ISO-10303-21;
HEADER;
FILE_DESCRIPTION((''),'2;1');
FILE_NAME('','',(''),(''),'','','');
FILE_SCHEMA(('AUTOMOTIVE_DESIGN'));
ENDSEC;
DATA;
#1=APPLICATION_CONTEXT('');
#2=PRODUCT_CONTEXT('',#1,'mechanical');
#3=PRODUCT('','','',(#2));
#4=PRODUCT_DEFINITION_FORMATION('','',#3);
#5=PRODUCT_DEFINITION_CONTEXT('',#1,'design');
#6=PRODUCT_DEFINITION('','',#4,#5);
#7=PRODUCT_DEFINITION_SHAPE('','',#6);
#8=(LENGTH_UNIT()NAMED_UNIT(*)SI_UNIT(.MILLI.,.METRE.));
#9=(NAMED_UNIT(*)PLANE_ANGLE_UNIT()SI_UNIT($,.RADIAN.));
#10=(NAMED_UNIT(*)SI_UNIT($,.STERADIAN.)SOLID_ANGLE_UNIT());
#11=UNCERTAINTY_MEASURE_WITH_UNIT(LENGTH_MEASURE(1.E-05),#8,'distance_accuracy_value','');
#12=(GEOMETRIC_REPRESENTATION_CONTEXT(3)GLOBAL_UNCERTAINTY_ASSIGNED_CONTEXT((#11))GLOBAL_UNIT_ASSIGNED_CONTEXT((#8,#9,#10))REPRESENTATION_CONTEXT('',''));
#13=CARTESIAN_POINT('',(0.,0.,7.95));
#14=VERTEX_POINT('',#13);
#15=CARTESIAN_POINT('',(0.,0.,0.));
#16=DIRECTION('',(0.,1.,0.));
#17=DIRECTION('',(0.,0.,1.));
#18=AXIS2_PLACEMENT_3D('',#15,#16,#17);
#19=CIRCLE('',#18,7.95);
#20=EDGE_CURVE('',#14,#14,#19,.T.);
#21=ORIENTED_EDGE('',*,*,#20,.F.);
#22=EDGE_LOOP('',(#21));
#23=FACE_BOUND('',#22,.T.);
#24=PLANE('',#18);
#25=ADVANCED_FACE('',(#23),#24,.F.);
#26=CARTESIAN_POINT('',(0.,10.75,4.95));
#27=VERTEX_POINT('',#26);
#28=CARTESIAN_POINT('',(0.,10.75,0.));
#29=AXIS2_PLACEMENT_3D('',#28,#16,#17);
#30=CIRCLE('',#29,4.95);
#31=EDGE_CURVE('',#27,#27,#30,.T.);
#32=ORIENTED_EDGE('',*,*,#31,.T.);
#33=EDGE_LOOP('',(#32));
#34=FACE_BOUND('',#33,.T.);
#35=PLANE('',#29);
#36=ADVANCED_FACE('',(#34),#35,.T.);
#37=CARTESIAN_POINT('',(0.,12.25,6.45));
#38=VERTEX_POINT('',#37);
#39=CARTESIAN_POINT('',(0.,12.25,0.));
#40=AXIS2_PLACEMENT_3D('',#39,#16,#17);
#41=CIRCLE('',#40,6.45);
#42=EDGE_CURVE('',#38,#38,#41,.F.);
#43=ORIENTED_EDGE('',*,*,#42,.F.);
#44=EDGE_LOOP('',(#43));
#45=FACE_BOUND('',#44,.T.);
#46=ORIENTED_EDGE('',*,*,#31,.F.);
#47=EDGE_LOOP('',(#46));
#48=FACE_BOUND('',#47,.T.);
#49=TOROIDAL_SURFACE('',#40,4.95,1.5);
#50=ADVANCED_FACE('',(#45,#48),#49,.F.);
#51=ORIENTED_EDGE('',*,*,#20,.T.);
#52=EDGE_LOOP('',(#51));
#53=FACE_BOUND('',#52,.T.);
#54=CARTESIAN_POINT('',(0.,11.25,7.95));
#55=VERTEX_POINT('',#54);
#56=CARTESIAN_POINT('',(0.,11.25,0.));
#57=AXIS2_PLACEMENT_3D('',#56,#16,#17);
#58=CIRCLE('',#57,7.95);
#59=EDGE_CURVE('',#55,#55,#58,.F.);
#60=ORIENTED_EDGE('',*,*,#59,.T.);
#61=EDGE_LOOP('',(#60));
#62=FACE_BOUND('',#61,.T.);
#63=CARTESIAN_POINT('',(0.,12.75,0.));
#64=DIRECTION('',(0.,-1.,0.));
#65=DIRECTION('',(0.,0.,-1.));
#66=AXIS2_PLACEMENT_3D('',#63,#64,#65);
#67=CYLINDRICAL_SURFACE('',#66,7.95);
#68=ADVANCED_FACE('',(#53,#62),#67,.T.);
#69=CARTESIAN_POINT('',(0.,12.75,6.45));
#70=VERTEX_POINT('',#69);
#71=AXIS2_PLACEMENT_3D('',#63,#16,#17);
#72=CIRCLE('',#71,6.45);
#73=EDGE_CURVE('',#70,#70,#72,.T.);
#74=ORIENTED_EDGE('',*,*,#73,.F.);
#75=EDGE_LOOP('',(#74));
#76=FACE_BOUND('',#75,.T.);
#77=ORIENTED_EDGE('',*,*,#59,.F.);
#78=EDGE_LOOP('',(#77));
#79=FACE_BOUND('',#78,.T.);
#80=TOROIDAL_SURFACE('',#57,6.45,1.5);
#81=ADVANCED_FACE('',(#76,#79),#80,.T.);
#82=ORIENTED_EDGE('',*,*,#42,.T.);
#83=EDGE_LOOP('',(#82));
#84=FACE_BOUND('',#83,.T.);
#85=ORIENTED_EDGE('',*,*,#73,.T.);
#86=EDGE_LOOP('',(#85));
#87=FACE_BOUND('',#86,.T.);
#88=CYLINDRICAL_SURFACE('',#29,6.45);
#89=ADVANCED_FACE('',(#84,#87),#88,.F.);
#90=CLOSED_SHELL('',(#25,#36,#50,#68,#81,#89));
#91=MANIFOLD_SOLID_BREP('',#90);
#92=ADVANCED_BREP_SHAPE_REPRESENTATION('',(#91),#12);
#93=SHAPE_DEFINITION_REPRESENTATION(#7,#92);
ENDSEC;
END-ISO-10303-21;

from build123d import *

# Parameters (mm, degrees)
SKETCH1_R           = 7.95
BOSS_EXTRUDE1_DEPTH = 12.75
FILLET1_R           = 1.5
SKETCH2_R           = 6.45
CUT_EXTRUDE1_DEPTH  = 2
FILLET2_R           = 1.5


with BuildPart() as part:
    # Sketch1 → Boss-Extrude1 (new body)
    with BuildSketch(Plane(origin=(0, 0, 0), x_dir=(1, 0, 0), z_dir=(0, 1, 0))):
        with Locations(Location((0, 0, 0), (0, 0, 270))):
            Circle(SKETCH1_R)
    extrude(amount=BOSS_EXTRUDE1_DEPTH)

    # Fillet1
    fillet1_edges = [part.edges().sort_by_distance(p)[0] for p in [
        (0, 12.75, -7.95),
    ]]
    fillet(fillet1_edges, radius=FILLET1_R)

    # Sketch2 → Cut-Extrude1 (cut)
    with BuildSketch(Plane(origin=(0, 12.75, 0), x_dir=(1, 0, 0), z_dir=(0, 1, 0))):
        with Locations(Location((0, 0, 0), (0, 0, 270))):
            Circle(SKETCH2_R)
    extrude(amount=-CUT_EXTRUDE1_DEPTH, mode=Mode.SUBTRACT)

    # Fillet2
    fillet2_edges = [part.edges().sort_by_distance(p)[0] for p in [
        (0, 10.75, -6.45),
    ]]
    fillet(fillet2_edges, radius=FILLET2_R)


solid = part.part
